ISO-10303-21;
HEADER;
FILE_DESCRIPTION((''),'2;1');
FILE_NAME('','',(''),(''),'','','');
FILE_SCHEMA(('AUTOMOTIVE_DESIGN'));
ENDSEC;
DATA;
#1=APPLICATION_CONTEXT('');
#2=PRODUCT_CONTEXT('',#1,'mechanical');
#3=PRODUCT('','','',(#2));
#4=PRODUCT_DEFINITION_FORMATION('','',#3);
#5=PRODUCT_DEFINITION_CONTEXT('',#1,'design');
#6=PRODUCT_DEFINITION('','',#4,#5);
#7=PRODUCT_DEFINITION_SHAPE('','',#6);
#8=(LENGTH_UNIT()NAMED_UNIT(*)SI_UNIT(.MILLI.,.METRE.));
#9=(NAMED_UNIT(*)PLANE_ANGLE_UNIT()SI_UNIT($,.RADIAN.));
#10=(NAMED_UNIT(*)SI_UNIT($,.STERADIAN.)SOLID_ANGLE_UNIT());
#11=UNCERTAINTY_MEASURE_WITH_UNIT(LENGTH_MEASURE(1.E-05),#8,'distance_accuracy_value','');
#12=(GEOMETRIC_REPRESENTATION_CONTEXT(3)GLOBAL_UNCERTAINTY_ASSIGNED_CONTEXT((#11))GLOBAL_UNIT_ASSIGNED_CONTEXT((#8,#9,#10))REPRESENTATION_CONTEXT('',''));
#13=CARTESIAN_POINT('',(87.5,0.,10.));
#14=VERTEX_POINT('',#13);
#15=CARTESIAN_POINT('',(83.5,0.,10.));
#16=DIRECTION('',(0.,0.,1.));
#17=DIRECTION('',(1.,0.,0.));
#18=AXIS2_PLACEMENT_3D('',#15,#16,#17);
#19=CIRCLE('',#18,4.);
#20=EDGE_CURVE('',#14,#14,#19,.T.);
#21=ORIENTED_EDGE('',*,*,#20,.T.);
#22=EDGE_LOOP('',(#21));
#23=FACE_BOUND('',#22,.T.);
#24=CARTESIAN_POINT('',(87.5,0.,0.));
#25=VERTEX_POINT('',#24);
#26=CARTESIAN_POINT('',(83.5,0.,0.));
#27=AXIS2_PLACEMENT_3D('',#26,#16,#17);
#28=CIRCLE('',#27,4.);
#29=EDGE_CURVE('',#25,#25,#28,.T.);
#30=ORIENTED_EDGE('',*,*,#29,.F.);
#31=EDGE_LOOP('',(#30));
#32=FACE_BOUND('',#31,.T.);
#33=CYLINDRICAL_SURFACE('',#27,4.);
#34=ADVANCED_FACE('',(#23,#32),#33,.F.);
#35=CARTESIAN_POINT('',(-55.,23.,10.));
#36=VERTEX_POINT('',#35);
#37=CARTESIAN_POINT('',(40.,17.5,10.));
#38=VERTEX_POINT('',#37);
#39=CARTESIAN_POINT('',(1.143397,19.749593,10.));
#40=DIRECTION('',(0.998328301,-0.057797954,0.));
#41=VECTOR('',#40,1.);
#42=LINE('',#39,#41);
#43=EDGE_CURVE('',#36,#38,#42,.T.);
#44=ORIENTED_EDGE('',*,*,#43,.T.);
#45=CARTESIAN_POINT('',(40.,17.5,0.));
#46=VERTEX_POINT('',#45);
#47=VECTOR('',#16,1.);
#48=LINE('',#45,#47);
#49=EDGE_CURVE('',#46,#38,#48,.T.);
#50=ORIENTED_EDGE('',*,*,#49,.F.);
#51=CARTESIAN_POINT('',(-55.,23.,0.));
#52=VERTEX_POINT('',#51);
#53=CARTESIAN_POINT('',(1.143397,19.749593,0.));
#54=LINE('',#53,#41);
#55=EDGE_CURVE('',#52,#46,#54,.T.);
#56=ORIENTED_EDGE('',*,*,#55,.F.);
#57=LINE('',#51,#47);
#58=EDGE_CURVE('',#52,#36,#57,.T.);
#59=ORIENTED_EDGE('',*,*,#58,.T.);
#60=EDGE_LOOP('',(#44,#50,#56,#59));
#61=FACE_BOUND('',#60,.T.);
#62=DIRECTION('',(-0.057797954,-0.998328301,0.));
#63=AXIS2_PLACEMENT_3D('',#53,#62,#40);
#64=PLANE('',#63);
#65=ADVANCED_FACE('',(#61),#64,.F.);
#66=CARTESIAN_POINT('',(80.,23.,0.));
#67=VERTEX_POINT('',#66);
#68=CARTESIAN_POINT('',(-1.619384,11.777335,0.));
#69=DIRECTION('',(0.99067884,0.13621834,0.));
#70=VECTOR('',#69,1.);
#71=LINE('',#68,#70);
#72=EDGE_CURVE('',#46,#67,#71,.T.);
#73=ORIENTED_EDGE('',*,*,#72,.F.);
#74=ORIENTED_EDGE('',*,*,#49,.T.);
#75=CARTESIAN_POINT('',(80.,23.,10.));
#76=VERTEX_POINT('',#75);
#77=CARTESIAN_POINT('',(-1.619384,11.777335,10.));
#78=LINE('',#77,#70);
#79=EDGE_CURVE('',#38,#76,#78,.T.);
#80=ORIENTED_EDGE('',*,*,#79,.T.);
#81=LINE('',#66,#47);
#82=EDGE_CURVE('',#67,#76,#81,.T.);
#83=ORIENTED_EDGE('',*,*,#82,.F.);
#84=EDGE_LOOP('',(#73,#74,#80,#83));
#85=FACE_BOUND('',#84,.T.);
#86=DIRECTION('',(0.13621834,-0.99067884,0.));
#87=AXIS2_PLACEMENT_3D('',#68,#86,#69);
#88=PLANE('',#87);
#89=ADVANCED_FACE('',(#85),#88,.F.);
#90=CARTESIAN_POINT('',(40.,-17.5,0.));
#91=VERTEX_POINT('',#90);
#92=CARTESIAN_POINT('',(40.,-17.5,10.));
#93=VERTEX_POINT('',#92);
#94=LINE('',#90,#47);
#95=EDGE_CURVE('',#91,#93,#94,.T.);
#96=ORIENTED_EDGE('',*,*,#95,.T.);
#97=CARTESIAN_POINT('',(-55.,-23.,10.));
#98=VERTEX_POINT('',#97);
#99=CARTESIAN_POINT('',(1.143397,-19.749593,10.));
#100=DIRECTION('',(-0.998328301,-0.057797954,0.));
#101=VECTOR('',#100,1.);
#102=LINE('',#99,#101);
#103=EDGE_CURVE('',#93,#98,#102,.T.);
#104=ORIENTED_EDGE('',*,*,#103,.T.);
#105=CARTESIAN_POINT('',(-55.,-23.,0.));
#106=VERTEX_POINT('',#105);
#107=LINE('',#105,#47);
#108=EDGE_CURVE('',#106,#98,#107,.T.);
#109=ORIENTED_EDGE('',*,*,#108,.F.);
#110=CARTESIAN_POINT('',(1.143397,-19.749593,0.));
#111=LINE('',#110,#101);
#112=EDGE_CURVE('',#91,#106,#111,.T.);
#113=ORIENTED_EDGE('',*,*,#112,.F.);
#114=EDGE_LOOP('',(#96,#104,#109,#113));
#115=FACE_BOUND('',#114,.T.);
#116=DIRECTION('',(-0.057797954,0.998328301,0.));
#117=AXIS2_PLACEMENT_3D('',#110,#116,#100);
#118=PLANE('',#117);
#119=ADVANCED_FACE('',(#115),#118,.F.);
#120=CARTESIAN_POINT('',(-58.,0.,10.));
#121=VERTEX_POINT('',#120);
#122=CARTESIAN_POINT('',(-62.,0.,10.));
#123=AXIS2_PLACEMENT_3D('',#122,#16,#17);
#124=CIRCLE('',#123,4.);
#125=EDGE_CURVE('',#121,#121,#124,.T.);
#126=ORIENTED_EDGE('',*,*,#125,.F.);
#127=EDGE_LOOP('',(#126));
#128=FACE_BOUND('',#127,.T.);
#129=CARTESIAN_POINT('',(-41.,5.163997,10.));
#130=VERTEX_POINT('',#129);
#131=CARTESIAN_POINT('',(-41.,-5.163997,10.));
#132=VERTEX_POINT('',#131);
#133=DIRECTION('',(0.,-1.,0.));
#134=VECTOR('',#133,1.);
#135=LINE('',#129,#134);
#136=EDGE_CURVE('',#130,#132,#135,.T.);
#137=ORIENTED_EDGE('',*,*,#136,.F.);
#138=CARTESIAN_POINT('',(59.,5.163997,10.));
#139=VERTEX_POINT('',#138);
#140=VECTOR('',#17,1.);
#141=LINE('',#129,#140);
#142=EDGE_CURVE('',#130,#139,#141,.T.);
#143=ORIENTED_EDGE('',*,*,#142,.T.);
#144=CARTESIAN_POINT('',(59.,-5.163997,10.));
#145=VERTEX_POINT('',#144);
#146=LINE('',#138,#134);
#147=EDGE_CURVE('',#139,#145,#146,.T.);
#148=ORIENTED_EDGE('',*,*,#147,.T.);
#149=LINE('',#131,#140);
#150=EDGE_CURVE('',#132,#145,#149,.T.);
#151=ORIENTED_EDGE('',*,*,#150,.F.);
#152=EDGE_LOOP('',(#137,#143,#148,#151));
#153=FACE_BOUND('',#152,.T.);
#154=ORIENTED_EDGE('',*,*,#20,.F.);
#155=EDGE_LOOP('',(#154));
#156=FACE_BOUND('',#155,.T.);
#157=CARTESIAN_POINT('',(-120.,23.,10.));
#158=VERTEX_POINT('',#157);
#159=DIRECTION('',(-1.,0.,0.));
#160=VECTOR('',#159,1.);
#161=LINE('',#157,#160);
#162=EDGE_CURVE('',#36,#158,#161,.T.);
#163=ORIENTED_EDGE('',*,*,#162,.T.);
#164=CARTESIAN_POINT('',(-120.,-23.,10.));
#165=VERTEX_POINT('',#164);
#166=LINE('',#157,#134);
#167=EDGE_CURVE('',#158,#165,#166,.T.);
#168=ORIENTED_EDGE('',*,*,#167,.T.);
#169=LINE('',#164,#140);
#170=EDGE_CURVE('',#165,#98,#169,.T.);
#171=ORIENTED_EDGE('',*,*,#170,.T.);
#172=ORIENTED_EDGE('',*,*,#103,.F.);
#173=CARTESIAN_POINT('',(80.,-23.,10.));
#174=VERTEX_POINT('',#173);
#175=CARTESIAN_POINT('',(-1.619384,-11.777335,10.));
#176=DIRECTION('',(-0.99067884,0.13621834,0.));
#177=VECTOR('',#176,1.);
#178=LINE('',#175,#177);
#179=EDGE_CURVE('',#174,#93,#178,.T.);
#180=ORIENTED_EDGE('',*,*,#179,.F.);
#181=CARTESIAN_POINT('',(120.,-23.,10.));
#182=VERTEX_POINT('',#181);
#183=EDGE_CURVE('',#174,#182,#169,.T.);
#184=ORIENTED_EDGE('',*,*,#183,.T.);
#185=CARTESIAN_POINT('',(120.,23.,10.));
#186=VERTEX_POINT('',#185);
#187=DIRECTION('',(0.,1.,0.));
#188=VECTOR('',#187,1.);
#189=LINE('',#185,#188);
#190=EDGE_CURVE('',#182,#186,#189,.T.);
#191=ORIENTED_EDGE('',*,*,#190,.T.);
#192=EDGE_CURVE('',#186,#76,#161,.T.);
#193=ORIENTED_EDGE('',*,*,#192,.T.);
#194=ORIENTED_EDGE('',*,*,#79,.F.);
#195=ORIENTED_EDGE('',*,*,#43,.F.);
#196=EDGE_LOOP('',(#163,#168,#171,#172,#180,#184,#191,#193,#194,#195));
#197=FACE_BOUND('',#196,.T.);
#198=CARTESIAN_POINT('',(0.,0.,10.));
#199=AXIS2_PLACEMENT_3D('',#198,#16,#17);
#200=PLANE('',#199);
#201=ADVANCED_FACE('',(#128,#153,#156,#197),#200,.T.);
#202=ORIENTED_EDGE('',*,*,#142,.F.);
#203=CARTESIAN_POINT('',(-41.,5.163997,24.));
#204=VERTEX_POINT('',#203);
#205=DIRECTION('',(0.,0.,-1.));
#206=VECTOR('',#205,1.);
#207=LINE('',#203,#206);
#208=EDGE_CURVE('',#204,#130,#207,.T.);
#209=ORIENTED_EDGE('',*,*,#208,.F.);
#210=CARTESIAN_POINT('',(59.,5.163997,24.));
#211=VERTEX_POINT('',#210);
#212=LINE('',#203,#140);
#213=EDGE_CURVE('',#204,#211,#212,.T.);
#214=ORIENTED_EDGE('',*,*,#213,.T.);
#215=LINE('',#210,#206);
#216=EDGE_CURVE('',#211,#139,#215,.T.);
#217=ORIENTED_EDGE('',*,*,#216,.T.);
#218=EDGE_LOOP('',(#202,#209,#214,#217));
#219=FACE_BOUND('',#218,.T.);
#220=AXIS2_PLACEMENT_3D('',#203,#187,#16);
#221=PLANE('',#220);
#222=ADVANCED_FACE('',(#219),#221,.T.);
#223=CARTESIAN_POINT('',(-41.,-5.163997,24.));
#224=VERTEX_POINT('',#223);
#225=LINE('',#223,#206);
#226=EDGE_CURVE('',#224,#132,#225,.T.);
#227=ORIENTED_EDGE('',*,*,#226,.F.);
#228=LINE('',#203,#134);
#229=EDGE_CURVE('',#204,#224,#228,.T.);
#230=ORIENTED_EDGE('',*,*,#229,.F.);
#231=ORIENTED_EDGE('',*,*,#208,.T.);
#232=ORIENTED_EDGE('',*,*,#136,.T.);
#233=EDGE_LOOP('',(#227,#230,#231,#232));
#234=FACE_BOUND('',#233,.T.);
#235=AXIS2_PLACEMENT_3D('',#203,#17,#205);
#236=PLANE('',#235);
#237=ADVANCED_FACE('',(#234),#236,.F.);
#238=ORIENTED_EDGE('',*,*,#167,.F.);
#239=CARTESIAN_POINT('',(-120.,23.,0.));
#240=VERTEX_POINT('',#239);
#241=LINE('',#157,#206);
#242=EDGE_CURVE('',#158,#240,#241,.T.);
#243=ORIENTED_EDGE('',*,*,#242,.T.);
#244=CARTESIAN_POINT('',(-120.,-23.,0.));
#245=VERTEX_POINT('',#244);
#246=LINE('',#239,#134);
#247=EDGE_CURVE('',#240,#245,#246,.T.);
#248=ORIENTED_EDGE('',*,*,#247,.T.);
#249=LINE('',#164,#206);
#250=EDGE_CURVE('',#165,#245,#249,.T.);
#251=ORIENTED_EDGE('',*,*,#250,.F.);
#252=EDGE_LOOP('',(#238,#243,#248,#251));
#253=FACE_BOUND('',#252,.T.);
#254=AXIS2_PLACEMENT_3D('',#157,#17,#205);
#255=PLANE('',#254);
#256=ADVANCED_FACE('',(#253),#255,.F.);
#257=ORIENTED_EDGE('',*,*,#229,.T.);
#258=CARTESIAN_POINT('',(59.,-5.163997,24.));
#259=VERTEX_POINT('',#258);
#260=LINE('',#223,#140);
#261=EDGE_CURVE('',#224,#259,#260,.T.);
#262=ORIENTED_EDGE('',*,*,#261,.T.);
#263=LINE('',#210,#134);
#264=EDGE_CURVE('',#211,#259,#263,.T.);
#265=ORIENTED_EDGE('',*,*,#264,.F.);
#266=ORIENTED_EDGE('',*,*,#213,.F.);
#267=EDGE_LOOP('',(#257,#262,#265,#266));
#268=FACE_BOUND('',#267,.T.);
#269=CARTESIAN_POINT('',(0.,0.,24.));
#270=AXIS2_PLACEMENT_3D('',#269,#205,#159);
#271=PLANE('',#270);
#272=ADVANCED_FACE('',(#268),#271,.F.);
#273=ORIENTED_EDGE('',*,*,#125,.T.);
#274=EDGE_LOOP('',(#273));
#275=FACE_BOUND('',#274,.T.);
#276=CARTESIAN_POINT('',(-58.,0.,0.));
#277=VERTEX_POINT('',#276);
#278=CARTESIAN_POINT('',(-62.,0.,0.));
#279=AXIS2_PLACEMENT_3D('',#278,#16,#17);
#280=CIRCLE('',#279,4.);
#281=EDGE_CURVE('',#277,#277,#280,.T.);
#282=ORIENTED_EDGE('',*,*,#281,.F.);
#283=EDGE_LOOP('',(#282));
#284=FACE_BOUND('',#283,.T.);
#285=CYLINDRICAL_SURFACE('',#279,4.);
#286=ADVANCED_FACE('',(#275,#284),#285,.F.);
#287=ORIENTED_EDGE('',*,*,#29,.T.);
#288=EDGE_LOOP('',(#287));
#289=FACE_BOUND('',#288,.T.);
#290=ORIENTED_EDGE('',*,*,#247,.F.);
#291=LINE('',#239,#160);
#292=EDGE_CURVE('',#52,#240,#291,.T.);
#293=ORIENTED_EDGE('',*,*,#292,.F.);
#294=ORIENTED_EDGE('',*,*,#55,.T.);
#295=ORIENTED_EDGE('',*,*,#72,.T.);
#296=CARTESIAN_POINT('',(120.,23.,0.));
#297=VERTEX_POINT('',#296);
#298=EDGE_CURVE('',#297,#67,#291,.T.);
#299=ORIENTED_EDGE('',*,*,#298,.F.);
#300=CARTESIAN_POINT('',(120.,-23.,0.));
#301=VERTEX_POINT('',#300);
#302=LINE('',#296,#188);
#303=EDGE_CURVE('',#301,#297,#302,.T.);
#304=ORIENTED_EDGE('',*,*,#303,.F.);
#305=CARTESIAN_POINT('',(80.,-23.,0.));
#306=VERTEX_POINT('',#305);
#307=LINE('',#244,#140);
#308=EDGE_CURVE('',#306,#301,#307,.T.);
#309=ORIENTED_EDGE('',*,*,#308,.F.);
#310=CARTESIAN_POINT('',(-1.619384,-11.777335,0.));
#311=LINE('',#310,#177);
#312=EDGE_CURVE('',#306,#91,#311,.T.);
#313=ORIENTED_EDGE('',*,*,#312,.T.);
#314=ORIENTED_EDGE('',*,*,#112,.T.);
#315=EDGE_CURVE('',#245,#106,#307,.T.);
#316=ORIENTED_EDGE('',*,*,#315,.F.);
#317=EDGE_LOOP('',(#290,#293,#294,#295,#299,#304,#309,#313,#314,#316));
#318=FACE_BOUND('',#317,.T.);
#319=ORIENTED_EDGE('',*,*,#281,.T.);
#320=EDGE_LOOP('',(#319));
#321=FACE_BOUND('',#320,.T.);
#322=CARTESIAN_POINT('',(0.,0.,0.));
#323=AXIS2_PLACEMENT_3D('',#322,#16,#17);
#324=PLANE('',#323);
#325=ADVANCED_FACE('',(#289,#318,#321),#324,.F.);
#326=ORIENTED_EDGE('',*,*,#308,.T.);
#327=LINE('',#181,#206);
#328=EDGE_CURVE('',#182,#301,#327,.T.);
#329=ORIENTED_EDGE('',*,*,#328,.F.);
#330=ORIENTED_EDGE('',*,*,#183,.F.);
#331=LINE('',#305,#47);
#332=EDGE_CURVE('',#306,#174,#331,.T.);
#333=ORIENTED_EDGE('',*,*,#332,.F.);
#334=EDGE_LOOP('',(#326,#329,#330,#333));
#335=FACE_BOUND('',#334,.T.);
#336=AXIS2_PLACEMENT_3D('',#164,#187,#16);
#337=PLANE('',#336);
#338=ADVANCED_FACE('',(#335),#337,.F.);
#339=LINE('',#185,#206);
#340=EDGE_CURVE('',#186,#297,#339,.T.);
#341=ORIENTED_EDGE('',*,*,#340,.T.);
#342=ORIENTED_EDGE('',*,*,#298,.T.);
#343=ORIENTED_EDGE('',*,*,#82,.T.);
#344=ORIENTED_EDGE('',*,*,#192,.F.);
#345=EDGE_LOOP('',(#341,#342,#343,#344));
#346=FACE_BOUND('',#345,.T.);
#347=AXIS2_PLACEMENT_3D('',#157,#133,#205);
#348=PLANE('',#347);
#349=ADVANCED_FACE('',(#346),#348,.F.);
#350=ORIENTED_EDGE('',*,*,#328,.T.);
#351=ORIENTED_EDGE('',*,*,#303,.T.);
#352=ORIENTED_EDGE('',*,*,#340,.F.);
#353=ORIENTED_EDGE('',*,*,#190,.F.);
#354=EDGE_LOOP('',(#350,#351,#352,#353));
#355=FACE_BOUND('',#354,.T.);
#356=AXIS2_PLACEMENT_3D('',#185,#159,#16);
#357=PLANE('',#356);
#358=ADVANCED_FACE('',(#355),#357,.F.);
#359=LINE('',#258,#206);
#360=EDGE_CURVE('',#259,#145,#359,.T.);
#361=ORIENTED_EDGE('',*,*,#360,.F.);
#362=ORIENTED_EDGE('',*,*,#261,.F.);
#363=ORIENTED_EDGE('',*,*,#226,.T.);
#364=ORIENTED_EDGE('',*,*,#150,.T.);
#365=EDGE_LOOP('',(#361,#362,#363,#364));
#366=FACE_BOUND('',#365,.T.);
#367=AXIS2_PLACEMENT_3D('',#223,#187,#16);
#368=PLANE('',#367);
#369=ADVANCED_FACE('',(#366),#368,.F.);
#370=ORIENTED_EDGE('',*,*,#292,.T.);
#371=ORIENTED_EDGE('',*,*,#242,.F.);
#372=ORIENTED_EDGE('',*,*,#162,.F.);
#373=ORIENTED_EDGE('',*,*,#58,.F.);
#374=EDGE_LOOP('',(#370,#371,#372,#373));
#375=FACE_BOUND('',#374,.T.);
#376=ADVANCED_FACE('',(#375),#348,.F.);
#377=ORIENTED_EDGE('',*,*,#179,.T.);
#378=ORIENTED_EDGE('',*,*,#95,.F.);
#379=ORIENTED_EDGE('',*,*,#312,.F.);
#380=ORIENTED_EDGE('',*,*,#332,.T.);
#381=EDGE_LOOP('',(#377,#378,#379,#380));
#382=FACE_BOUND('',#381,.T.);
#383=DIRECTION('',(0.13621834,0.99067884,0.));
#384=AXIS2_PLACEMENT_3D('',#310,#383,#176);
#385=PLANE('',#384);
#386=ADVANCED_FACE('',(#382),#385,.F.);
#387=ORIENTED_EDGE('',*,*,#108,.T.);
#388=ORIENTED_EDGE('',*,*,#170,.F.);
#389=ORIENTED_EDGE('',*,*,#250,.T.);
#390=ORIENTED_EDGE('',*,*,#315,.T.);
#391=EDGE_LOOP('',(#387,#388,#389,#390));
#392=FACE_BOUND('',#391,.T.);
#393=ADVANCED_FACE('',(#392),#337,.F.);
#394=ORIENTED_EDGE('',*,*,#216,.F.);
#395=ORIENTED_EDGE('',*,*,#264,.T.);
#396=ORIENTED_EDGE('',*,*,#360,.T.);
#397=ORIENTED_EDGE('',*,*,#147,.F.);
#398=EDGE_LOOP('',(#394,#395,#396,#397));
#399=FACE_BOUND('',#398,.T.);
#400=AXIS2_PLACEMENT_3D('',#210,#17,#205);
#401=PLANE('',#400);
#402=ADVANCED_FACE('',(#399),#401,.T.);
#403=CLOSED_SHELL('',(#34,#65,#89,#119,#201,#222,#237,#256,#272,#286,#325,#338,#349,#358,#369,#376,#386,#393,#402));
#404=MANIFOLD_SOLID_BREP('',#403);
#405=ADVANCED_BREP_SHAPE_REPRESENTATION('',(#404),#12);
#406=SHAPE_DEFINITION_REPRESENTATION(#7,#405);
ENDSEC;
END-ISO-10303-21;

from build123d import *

# Parameters (mm, degrees)
SKETCH_1_W          = 240
SKETCH_1_H          = 46
EXTRUDE_1_DEPTH     = 10
CUT_EXTRUDE_1_DEPTH = 10
SKETCH_3_W          = 66.746798051
SKETCH_3_H          = 10
EXTRUDE_3_DEPTH     = 14
SKETCH_5_R          = 12.5
CUT_EXTRUDE_2_DEPTH = 14
SKETCH_6_R          = 4
CUT_EXTRUDE_3_DEPTH = 10
SKETCH_7_W          = 66.746798051
SKETCH_7_H          = 14
CUT_EXTRUDE_4_DEPTH = 10
SKETCH_8_W          = 100
SKETCH_8_H          = 10.327994094
EXTRUDE_4_DEPTH     = 14
SKETCH_9_R          = 12.5
SKETCH_9_R_2        = 4
EXTRUDE_5_DEPTH     = 10


with BuildPart() as part:
    # 草图1 → 凸台-拉伸1 (new body)
    with BuildSketch(Plane.XY):
        Rectangle(SKETCH_1_W, SKETCH_1_H)
    extrude(amount=EXTRUDE_1_DEPTH)

    # 草图2 → 切除-拉伸1 (cut)
    with BuildSketch(Plane.XY.offset(10)):
        Polygon((-55, 23), (-20.454545455, 21), (40, 21), (40, 17.5), (80, 23), align=None)
        Polygon((80, -23), (40, -17.5), (40, -21), (-20.454545455, -21), (-55, -23), align=None)
        Polygon((40, -21), (40, -17.5), (-20.454545455, -21), align=None)
        Polygon((40, 21), (-20.454545455, 21), (40, 17.5), align=None)
    extrude(amount=-CUT_EXTRUDE_1_DEPTH, mode=Mode.SUBTRACT)

    # 草图3 → 凸台-拉伸3 (add)
    with BuildSketch(Plane.XY.offset(10)):
        with Locations((-11.626600974, 0)):
            Rectangle(SKETCH_3_W, SKETCH_3_H)
    extrude(amount=EXTRUDE_3_DEPTH)

    # 草图5 → 切除-拉伸2 (cut)
    with BuildSketch(Plane.XY.offset(10)):
        with Locations((83.5, 0)):
            Circle(SKETCH_5_R)
    extrude(amount=-CUT_EXTRUDE_2_DEPTH, mode=Mode.SUBTRACT)

    # 草图6 → 切除-拉伸3 (cut)
    with BuildSketch(Plane.XY.offset(10)):
        with Locations((-62, 0)):
            Circle(SKETCH_6_R)
    extrude(amount=-CUT_EXTRUDE_3_DEPTH, mode=Mode.SUBTRACT)

    # 草图7 → 切除-拉伸4 (cut)
    with BuildSketch(Plane.XZ.offset(5)):
        with Locations((-11.626600974, 17)):
            Rectangle(SKETCH_7_W, SKETCH_7_H)
    extrude(amount=-CUT_EXTRUDE_4_DEPTH, mode=Mode.SUBTRACT)

    # 草图8 → 凸台-拉伸4 (add)
    with BuildSketch(Plane.XY.offset(10)):
        with Locations((9, 0)):
            Rectangle(SKETCH_8_W, SKETCH_8_H)
    extrude(amount=EXTRUDE_4_DEPTH)

    # 草图9 → 凸台-拉伸5 (add)
    with BuildSketch(Plane.XY.offset(10)):
        with Locations((83.5, 0)):
            Circle(SKETCH_9_R)
        with Locations((83.5, 0)):
            Circle(SKETCH_9_R_2, mode=Mode.SUBTRACT)
    extrude(amount=-EXTRUDE_5_DEPTH)


solid = part.part
